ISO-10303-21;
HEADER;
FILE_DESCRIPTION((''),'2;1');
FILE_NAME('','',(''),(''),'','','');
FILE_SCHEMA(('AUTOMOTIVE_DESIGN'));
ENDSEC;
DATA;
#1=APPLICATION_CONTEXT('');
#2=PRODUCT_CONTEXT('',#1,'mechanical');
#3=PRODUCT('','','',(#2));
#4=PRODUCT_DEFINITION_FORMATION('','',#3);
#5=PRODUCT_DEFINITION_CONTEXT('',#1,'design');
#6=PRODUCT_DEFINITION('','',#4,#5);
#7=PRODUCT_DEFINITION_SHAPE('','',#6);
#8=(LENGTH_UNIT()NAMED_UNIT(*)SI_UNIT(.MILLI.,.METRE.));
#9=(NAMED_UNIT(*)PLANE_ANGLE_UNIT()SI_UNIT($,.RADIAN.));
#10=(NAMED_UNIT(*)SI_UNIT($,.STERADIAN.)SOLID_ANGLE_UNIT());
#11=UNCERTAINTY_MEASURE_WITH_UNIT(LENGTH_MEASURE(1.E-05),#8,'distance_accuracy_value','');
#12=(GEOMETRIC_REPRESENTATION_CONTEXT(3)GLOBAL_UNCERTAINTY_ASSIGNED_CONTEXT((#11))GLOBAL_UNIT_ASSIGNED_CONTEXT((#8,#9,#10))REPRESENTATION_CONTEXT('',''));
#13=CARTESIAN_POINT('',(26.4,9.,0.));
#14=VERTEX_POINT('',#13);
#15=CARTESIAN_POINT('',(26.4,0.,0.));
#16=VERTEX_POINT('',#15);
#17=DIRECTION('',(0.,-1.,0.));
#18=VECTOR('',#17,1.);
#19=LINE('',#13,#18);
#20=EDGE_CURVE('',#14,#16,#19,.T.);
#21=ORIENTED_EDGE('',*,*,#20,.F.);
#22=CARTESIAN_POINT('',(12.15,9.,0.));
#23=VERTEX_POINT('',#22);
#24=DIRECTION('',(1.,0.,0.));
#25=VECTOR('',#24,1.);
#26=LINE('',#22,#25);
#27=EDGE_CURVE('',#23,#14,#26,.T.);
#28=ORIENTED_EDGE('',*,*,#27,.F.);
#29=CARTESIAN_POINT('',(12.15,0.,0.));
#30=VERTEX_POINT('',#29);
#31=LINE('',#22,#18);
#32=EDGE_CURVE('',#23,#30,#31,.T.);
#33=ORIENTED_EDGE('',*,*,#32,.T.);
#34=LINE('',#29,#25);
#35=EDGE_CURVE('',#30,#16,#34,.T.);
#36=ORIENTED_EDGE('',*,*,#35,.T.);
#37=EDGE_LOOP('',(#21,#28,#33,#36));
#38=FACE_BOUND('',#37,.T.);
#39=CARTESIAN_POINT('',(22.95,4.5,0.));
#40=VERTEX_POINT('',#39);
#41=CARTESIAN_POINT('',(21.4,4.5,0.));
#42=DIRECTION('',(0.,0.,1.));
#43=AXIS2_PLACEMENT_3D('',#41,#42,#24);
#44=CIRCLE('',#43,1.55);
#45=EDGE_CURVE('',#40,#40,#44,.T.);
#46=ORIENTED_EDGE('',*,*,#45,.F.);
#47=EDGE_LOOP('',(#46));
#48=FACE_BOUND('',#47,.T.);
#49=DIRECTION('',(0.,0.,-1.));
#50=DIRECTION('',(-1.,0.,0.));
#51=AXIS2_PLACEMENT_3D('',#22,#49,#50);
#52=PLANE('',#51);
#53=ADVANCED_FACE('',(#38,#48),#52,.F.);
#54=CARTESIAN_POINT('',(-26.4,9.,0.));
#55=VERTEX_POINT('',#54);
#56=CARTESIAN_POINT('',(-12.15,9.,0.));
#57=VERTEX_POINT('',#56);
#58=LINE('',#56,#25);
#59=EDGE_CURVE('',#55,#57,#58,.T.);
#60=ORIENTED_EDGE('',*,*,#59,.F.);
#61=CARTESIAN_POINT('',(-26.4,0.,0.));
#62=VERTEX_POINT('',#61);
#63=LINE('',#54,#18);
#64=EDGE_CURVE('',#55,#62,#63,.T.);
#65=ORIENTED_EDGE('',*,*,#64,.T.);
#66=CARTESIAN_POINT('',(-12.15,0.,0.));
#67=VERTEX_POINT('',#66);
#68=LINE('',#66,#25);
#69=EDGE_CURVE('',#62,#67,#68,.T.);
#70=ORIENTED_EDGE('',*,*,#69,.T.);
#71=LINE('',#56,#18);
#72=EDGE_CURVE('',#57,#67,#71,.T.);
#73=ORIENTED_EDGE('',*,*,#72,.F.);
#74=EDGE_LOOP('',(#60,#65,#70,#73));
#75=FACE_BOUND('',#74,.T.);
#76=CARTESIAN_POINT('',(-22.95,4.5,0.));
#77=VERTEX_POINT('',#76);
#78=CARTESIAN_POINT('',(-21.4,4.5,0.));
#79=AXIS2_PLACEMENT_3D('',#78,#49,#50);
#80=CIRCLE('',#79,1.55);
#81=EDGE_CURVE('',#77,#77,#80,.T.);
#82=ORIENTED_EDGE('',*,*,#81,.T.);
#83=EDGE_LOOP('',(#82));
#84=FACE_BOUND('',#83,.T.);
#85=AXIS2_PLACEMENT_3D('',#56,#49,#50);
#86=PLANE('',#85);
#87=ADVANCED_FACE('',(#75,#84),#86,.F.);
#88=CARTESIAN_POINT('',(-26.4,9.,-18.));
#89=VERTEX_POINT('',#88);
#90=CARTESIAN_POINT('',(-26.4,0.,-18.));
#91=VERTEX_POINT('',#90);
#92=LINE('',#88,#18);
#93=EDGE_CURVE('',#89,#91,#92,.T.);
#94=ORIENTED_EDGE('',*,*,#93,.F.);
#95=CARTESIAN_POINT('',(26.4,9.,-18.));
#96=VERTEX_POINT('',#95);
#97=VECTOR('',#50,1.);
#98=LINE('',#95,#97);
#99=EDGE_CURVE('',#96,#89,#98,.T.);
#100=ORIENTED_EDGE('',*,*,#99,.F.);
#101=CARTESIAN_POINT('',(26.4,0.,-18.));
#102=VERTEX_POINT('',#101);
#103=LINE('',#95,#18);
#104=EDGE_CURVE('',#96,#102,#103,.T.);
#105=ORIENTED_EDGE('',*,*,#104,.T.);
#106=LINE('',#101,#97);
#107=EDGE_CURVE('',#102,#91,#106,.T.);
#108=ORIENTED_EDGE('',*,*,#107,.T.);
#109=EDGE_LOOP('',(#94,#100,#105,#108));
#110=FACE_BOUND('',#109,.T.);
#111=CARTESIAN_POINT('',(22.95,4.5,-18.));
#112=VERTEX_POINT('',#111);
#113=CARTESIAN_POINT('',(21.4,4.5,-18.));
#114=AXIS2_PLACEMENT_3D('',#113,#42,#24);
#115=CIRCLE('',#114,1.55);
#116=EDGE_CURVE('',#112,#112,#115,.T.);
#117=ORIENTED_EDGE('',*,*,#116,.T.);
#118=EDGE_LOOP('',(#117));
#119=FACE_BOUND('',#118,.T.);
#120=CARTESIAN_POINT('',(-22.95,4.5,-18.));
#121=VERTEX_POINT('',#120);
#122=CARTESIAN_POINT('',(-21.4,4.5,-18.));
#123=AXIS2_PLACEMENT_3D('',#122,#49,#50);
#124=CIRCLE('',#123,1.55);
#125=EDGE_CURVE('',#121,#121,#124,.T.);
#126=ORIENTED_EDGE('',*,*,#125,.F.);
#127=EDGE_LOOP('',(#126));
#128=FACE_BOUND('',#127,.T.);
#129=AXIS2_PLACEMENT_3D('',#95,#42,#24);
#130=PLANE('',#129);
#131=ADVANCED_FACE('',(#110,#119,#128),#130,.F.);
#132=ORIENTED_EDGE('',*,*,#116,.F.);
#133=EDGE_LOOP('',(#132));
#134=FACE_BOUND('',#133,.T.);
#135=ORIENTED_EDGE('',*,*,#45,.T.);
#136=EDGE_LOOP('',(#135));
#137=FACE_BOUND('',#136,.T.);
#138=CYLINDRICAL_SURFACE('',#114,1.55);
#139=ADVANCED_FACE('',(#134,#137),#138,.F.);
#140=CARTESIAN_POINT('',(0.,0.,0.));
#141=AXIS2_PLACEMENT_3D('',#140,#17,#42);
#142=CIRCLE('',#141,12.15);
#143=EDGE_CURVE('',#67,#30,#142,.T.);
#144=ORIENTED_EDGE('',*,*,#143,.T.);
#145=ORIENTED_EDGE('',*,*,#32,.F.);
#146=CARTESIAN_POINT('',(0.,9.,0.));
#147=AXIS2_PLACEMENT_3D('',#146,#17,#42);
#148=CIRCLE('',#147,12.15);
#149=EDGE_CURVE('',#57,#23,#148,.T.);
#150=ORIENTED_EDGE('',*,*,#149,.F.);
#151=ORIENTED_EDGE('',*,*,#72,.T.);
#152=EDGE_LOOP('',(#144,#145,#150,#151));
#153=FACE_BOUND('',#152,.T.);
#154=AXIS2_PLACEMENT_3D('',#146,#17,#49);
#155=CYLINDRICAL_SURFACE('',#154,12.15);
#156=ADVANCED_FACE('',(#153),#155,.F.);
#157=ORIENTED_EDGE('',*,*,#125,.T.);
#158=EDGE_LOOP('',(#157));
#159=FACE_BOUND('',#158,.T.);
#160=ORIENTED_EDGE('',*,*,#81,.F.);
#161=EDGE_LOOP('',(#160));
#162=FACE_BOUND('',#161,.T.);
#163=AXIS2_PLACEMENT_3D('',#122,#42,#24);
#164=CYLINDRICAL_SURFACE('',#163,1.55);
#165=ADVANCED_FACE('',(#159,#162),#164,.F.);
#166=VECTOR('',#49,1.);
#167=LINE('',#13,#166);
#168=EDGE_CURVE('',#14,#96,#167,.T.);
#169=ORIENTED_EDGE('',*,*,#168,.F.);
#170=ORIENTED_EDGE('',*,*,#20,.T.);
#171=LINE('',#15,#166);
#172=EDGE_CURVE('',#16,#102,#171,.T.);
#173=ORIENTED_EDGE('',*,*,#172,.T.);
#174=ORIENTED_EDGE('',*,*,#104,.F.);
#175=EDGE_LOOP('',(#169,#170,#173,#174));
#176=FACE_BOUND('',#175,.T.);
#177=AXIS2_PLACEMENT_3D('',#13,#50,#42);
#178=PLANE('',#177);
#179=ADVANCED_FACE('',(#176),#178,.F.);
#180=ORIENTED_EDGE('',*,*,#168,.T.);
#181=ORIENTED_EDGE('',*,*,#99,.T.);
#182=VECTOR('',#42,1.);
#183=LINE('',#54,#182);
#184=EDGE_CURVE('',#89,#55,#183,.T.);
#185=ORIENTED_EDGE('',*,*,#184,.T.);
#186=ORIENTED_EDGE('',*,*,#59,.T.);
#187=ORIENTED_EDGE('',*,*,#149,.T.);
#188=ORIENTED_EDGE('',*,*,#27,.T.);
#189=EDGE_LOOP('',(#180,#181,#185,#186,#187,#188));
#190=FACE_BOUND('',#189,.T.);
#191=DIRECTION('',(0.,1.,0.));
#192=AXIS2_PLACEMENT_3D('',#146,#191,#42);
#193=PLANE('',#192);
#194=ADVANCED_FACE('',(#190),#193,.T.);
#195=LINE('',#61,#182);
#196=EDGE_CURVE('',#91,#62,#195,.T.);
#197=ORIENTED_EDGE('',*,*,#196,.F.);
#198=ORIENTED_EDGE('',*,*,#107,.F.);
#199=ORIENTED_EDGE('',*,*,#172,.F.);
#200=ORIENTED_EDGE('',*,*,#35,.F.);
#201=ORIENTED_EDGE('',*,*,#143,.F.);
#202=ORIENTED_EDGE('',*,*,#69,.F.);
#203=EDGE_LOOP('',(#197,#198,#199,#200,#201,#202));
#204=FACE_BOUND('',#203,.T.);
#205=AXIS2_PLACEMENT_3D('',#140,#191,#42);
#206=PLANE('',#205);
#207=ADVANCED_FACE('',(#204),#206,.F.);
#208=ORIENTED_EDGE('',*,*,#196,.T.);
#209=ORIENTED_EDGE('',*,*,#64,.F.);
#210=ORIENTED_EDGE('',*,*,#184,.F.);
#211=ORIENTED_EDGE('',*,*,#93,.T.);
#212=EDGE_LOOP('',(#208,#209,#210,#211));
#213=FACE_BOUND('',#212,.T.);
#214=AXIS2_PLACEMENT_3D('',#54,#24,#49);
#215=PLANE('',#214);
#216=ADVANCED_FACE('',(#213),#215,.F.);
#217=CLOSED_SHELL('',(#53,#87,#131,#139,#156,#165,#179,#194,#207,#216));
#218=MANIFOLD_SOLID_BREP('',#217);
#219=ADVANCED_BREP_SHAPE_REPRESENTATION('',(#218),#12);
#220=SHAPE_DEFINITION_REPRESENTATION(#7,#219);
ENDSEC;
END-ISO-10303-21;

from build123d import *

# Parameters (mm, degrees)
BOSS_EXTRUDE1_DEPTH = 9
SKETCH2_R           = 1.55
CUT_EXTRUDE1_DEPTH  = 19


with BuildPart() as part:
    # Sketch1 → Boss-Extrude1 (new body)
    with BuildSketch(Plane(origin=(0, 0, 0), x_dir=(1, 0, 0), z_dir=(0, 1, 0))):
        with BuildLine():
            Line((12.15, 0), (26.4, 0))
            Line((26.4, 0), (26.4, 18))
            Line((26.4, 18), (-26.4, 18))
            Line((-26.4, 18), (-26.4, 0))
            Line((-26.4, 0), (-12.15, 0))
            ThreePointArc((-12.15, 0), (0, 12.15), (12.15, 0))
        make_face()
    extrude(amount=BOSS_EXTRUDE1_DEPTH)

    # Sketch2 → Cut-Extrude1 (cut, through all)
    with BuildSketch(Plane.XY):
        with Locations((21.4, 4.5)):
            Circle(SKETCH2_R)
    cut_extrude1 = extrude(amount=-CUT_EXTRUDE1_DEPTH, mode=Mode.SUBTRACT)

    # Mirror1: Cut-Extrude1 across plane
    add(cut_extrude1.mirror(Plane(origin=(0, 0, 0), x_dir=(0, 0, 1), z_dir=(1, 0, 0))), mode=Mode.SUBTRACT)


solid = part.part
